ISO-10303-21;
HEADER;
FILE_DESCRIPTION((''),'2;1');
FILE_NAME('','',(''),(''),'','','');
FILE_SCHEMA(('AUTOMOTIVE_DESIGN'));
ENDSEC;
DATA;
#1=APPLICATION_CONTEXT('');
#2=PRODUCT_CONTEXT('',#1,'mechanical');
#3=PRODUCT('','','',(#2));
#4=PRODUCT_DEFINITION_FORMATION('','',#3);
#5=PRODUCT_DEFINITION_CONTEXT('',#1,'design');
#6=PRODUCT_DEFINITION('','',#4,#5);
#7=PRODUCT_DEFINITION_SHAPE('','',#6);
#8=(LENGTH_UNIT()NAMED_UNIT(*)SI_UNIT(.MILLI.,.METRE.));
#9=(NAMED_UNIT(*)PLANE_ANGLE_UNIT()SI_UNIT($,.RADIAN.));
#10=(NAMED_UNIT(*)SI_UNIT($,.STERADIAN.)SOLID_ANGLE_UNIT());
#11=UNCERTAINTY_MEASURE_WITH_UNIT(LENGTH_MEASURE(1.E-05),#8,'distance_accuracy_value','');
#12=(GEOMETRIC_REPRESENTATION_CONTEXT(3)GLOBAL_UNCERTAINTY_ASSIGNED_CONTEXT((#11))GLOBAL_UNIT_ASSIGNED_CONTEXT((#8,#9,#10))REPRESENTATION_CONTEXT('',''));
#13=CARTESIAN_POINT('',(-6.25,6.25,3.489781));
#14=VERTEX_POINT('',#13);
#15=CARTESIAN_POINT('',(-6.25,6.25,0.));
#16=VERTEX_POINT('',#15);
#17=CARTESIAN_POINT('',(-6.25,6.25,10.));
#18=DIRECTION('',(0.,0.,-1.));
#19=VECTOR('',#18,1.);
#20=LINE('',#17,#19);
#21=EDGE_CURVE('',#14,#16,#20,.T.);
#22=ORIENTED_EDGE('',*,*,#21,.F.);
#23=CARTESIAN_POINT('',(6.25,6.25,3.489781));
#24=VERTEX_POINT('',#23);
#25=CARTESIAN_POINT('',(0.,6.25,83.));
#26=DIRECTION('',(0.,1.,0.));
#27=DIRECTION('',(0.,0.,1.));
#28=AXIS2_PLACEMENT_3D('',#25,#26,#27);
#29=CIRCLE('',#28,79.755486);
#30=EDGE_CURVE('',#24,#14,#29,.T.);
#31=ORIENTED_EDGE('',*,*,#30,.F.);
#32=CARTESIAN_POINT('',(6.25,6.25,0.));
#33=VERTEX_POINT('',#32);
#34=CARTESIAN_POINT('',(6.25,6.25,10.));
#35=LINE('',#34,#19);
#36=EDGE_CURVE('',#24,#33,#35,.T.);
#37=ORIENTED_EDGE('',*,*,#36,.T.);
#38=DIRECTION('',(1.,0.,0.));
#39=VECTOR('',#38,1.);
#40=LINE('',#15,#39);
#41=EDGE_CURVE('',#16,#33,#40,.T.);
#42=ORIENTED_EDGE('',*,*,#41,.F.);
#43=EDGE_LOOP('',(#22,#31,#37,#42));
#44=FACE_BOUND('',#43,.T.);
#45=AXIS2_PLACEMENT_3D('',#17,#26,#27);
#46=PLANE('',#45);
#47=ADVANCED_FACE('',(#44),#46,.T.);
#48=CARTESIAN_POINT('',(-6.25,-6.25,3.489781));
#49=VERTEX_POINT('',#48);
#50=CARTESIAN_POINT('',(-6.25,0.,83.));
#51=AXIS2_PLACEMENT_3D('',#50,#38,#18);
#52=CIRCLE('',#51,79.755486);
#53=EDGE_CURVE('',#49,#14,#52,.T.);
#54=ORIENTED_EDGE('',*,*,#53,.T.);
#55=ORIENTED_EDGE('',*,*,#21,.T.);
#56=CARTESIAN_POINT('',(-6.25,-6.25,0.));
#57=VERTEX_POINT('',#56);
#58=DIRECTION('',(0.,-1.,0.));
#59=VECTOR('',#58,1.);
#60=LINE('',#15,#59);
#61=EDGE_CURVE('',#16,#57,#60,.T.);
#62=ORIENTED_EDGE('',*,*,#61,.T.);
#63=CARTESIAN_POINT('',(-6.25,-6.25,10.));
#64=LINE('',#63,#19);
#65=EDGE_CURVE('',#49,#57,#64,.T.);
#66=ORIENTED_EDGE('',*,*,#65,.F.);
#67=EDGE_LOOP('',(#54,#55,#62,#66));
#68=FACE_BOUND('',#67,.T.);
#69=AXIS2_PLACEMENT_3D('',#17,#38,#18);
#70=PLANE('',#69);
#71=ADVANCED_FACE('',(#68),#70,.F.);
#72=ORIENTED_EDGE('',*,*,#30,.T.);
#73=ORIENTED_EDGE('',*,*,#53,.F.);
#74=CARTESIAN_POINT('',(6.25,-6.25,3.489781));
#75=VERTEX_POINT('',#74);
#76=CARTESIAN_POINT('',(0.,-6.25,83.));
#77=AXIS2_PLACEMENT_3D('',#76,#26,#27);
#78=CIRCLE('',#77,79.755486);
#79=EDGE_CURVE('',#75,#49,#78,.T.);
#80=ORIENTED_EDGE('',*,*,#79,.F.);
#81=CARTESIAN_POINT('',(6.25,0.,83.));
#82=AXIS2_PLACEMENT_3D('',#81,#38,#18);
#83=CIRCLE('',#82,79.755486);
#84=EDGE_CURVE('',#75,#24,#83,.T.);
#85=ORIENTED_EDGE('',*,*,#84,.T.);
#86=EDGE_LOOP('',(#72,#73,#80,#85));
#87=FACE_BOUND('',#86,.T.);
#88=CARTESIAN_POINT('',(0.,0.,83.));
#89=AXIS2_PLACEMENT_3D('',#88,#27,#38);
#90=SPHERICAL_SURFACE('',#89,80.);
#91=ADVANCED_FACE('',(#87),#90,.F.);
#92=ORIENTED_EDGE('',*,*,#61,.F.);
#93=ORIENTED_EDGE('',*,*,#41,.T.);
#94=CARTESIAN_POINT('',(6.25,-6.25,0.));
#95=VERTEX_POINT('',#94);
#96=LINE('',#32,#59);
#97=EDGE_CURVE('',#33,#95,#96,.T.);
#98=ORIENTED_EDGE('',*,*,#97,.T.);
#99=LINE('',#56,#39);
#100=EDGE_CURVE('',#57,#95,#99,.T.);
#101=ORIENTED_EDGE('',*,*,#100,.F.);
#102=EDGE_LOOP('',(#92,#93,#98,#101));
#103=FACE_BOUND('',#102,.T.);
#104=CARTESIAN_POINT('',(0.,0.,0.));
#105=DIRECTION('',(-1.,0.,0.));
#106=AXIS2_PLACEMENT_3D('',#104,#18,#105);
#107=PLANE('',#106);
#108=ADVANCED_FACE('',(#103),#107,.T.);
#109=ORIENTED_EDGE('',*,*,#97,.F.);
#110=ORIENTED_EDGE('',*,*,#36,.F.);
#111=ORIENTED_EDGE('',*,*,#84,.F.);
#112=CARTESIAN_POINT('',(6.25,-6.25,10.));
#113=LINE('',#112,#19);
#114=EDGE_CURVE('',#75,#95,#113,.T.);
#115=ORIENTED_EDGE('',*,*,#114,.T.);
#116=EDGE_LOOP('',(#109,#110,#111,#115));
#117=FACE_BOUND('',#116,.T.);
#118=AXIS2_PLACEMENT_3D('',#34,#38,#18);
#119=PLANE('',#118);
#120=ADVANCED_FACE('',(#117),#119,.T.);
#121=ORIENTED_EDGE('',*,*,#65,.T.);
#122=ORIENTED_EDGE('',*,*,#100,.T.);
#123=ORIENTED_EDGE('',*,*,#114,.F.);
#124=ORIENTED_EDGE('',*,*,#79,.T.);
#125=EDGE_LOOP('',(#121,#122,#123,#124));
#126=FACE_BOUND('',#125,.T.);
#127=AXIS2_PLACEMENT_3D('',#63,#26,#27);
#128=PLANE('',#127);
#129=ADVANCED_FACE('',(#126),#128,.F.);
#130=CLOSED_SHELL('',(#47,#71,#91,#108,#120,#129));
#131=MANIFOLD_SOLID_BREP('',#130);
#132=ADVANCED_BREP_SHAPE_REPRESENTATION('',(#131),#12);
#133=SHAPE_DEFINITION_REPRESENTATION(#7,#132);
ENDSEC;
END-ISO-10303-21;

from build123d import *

# Parameters (mm, degrees)
SKETCH_1_W      = 12.5
SKETCH_1_H      = 12.5
EXTRUDE_1_DEPTH = 10


with BuildPart() as part:
    # 草图1 → 凸台-拉伸1 (new body)
    with BuildSketch(Plane.XY):
        Rectangle(SKETCH_1_W, SKETCH_1_H)
    extrude(amount=EXTRUDE_1_DEPTH)

    # 草图2 → 切除-旋转2 (revolve, cut)
    with BuildSketch(Plane(origin=(0, 0, 0), x_dir=(1, 0, 0), z_dir=(0, 1, 0))):
        with BuildLine():
            Line((77.987636945, -65.169450829), (0, -65.169450829))
            Line((0, -65.169450829), (0, -3))
            ThreePointArc((0, -3), (49.867605047, -20.444249131), (77.987636945, -65.169450829))
        make_face()
    revolve(axis=Axis((0, 0, 65.169450829), (0, 0, -1)), mode=Mode.SUBTRACT)


solid = part.part
